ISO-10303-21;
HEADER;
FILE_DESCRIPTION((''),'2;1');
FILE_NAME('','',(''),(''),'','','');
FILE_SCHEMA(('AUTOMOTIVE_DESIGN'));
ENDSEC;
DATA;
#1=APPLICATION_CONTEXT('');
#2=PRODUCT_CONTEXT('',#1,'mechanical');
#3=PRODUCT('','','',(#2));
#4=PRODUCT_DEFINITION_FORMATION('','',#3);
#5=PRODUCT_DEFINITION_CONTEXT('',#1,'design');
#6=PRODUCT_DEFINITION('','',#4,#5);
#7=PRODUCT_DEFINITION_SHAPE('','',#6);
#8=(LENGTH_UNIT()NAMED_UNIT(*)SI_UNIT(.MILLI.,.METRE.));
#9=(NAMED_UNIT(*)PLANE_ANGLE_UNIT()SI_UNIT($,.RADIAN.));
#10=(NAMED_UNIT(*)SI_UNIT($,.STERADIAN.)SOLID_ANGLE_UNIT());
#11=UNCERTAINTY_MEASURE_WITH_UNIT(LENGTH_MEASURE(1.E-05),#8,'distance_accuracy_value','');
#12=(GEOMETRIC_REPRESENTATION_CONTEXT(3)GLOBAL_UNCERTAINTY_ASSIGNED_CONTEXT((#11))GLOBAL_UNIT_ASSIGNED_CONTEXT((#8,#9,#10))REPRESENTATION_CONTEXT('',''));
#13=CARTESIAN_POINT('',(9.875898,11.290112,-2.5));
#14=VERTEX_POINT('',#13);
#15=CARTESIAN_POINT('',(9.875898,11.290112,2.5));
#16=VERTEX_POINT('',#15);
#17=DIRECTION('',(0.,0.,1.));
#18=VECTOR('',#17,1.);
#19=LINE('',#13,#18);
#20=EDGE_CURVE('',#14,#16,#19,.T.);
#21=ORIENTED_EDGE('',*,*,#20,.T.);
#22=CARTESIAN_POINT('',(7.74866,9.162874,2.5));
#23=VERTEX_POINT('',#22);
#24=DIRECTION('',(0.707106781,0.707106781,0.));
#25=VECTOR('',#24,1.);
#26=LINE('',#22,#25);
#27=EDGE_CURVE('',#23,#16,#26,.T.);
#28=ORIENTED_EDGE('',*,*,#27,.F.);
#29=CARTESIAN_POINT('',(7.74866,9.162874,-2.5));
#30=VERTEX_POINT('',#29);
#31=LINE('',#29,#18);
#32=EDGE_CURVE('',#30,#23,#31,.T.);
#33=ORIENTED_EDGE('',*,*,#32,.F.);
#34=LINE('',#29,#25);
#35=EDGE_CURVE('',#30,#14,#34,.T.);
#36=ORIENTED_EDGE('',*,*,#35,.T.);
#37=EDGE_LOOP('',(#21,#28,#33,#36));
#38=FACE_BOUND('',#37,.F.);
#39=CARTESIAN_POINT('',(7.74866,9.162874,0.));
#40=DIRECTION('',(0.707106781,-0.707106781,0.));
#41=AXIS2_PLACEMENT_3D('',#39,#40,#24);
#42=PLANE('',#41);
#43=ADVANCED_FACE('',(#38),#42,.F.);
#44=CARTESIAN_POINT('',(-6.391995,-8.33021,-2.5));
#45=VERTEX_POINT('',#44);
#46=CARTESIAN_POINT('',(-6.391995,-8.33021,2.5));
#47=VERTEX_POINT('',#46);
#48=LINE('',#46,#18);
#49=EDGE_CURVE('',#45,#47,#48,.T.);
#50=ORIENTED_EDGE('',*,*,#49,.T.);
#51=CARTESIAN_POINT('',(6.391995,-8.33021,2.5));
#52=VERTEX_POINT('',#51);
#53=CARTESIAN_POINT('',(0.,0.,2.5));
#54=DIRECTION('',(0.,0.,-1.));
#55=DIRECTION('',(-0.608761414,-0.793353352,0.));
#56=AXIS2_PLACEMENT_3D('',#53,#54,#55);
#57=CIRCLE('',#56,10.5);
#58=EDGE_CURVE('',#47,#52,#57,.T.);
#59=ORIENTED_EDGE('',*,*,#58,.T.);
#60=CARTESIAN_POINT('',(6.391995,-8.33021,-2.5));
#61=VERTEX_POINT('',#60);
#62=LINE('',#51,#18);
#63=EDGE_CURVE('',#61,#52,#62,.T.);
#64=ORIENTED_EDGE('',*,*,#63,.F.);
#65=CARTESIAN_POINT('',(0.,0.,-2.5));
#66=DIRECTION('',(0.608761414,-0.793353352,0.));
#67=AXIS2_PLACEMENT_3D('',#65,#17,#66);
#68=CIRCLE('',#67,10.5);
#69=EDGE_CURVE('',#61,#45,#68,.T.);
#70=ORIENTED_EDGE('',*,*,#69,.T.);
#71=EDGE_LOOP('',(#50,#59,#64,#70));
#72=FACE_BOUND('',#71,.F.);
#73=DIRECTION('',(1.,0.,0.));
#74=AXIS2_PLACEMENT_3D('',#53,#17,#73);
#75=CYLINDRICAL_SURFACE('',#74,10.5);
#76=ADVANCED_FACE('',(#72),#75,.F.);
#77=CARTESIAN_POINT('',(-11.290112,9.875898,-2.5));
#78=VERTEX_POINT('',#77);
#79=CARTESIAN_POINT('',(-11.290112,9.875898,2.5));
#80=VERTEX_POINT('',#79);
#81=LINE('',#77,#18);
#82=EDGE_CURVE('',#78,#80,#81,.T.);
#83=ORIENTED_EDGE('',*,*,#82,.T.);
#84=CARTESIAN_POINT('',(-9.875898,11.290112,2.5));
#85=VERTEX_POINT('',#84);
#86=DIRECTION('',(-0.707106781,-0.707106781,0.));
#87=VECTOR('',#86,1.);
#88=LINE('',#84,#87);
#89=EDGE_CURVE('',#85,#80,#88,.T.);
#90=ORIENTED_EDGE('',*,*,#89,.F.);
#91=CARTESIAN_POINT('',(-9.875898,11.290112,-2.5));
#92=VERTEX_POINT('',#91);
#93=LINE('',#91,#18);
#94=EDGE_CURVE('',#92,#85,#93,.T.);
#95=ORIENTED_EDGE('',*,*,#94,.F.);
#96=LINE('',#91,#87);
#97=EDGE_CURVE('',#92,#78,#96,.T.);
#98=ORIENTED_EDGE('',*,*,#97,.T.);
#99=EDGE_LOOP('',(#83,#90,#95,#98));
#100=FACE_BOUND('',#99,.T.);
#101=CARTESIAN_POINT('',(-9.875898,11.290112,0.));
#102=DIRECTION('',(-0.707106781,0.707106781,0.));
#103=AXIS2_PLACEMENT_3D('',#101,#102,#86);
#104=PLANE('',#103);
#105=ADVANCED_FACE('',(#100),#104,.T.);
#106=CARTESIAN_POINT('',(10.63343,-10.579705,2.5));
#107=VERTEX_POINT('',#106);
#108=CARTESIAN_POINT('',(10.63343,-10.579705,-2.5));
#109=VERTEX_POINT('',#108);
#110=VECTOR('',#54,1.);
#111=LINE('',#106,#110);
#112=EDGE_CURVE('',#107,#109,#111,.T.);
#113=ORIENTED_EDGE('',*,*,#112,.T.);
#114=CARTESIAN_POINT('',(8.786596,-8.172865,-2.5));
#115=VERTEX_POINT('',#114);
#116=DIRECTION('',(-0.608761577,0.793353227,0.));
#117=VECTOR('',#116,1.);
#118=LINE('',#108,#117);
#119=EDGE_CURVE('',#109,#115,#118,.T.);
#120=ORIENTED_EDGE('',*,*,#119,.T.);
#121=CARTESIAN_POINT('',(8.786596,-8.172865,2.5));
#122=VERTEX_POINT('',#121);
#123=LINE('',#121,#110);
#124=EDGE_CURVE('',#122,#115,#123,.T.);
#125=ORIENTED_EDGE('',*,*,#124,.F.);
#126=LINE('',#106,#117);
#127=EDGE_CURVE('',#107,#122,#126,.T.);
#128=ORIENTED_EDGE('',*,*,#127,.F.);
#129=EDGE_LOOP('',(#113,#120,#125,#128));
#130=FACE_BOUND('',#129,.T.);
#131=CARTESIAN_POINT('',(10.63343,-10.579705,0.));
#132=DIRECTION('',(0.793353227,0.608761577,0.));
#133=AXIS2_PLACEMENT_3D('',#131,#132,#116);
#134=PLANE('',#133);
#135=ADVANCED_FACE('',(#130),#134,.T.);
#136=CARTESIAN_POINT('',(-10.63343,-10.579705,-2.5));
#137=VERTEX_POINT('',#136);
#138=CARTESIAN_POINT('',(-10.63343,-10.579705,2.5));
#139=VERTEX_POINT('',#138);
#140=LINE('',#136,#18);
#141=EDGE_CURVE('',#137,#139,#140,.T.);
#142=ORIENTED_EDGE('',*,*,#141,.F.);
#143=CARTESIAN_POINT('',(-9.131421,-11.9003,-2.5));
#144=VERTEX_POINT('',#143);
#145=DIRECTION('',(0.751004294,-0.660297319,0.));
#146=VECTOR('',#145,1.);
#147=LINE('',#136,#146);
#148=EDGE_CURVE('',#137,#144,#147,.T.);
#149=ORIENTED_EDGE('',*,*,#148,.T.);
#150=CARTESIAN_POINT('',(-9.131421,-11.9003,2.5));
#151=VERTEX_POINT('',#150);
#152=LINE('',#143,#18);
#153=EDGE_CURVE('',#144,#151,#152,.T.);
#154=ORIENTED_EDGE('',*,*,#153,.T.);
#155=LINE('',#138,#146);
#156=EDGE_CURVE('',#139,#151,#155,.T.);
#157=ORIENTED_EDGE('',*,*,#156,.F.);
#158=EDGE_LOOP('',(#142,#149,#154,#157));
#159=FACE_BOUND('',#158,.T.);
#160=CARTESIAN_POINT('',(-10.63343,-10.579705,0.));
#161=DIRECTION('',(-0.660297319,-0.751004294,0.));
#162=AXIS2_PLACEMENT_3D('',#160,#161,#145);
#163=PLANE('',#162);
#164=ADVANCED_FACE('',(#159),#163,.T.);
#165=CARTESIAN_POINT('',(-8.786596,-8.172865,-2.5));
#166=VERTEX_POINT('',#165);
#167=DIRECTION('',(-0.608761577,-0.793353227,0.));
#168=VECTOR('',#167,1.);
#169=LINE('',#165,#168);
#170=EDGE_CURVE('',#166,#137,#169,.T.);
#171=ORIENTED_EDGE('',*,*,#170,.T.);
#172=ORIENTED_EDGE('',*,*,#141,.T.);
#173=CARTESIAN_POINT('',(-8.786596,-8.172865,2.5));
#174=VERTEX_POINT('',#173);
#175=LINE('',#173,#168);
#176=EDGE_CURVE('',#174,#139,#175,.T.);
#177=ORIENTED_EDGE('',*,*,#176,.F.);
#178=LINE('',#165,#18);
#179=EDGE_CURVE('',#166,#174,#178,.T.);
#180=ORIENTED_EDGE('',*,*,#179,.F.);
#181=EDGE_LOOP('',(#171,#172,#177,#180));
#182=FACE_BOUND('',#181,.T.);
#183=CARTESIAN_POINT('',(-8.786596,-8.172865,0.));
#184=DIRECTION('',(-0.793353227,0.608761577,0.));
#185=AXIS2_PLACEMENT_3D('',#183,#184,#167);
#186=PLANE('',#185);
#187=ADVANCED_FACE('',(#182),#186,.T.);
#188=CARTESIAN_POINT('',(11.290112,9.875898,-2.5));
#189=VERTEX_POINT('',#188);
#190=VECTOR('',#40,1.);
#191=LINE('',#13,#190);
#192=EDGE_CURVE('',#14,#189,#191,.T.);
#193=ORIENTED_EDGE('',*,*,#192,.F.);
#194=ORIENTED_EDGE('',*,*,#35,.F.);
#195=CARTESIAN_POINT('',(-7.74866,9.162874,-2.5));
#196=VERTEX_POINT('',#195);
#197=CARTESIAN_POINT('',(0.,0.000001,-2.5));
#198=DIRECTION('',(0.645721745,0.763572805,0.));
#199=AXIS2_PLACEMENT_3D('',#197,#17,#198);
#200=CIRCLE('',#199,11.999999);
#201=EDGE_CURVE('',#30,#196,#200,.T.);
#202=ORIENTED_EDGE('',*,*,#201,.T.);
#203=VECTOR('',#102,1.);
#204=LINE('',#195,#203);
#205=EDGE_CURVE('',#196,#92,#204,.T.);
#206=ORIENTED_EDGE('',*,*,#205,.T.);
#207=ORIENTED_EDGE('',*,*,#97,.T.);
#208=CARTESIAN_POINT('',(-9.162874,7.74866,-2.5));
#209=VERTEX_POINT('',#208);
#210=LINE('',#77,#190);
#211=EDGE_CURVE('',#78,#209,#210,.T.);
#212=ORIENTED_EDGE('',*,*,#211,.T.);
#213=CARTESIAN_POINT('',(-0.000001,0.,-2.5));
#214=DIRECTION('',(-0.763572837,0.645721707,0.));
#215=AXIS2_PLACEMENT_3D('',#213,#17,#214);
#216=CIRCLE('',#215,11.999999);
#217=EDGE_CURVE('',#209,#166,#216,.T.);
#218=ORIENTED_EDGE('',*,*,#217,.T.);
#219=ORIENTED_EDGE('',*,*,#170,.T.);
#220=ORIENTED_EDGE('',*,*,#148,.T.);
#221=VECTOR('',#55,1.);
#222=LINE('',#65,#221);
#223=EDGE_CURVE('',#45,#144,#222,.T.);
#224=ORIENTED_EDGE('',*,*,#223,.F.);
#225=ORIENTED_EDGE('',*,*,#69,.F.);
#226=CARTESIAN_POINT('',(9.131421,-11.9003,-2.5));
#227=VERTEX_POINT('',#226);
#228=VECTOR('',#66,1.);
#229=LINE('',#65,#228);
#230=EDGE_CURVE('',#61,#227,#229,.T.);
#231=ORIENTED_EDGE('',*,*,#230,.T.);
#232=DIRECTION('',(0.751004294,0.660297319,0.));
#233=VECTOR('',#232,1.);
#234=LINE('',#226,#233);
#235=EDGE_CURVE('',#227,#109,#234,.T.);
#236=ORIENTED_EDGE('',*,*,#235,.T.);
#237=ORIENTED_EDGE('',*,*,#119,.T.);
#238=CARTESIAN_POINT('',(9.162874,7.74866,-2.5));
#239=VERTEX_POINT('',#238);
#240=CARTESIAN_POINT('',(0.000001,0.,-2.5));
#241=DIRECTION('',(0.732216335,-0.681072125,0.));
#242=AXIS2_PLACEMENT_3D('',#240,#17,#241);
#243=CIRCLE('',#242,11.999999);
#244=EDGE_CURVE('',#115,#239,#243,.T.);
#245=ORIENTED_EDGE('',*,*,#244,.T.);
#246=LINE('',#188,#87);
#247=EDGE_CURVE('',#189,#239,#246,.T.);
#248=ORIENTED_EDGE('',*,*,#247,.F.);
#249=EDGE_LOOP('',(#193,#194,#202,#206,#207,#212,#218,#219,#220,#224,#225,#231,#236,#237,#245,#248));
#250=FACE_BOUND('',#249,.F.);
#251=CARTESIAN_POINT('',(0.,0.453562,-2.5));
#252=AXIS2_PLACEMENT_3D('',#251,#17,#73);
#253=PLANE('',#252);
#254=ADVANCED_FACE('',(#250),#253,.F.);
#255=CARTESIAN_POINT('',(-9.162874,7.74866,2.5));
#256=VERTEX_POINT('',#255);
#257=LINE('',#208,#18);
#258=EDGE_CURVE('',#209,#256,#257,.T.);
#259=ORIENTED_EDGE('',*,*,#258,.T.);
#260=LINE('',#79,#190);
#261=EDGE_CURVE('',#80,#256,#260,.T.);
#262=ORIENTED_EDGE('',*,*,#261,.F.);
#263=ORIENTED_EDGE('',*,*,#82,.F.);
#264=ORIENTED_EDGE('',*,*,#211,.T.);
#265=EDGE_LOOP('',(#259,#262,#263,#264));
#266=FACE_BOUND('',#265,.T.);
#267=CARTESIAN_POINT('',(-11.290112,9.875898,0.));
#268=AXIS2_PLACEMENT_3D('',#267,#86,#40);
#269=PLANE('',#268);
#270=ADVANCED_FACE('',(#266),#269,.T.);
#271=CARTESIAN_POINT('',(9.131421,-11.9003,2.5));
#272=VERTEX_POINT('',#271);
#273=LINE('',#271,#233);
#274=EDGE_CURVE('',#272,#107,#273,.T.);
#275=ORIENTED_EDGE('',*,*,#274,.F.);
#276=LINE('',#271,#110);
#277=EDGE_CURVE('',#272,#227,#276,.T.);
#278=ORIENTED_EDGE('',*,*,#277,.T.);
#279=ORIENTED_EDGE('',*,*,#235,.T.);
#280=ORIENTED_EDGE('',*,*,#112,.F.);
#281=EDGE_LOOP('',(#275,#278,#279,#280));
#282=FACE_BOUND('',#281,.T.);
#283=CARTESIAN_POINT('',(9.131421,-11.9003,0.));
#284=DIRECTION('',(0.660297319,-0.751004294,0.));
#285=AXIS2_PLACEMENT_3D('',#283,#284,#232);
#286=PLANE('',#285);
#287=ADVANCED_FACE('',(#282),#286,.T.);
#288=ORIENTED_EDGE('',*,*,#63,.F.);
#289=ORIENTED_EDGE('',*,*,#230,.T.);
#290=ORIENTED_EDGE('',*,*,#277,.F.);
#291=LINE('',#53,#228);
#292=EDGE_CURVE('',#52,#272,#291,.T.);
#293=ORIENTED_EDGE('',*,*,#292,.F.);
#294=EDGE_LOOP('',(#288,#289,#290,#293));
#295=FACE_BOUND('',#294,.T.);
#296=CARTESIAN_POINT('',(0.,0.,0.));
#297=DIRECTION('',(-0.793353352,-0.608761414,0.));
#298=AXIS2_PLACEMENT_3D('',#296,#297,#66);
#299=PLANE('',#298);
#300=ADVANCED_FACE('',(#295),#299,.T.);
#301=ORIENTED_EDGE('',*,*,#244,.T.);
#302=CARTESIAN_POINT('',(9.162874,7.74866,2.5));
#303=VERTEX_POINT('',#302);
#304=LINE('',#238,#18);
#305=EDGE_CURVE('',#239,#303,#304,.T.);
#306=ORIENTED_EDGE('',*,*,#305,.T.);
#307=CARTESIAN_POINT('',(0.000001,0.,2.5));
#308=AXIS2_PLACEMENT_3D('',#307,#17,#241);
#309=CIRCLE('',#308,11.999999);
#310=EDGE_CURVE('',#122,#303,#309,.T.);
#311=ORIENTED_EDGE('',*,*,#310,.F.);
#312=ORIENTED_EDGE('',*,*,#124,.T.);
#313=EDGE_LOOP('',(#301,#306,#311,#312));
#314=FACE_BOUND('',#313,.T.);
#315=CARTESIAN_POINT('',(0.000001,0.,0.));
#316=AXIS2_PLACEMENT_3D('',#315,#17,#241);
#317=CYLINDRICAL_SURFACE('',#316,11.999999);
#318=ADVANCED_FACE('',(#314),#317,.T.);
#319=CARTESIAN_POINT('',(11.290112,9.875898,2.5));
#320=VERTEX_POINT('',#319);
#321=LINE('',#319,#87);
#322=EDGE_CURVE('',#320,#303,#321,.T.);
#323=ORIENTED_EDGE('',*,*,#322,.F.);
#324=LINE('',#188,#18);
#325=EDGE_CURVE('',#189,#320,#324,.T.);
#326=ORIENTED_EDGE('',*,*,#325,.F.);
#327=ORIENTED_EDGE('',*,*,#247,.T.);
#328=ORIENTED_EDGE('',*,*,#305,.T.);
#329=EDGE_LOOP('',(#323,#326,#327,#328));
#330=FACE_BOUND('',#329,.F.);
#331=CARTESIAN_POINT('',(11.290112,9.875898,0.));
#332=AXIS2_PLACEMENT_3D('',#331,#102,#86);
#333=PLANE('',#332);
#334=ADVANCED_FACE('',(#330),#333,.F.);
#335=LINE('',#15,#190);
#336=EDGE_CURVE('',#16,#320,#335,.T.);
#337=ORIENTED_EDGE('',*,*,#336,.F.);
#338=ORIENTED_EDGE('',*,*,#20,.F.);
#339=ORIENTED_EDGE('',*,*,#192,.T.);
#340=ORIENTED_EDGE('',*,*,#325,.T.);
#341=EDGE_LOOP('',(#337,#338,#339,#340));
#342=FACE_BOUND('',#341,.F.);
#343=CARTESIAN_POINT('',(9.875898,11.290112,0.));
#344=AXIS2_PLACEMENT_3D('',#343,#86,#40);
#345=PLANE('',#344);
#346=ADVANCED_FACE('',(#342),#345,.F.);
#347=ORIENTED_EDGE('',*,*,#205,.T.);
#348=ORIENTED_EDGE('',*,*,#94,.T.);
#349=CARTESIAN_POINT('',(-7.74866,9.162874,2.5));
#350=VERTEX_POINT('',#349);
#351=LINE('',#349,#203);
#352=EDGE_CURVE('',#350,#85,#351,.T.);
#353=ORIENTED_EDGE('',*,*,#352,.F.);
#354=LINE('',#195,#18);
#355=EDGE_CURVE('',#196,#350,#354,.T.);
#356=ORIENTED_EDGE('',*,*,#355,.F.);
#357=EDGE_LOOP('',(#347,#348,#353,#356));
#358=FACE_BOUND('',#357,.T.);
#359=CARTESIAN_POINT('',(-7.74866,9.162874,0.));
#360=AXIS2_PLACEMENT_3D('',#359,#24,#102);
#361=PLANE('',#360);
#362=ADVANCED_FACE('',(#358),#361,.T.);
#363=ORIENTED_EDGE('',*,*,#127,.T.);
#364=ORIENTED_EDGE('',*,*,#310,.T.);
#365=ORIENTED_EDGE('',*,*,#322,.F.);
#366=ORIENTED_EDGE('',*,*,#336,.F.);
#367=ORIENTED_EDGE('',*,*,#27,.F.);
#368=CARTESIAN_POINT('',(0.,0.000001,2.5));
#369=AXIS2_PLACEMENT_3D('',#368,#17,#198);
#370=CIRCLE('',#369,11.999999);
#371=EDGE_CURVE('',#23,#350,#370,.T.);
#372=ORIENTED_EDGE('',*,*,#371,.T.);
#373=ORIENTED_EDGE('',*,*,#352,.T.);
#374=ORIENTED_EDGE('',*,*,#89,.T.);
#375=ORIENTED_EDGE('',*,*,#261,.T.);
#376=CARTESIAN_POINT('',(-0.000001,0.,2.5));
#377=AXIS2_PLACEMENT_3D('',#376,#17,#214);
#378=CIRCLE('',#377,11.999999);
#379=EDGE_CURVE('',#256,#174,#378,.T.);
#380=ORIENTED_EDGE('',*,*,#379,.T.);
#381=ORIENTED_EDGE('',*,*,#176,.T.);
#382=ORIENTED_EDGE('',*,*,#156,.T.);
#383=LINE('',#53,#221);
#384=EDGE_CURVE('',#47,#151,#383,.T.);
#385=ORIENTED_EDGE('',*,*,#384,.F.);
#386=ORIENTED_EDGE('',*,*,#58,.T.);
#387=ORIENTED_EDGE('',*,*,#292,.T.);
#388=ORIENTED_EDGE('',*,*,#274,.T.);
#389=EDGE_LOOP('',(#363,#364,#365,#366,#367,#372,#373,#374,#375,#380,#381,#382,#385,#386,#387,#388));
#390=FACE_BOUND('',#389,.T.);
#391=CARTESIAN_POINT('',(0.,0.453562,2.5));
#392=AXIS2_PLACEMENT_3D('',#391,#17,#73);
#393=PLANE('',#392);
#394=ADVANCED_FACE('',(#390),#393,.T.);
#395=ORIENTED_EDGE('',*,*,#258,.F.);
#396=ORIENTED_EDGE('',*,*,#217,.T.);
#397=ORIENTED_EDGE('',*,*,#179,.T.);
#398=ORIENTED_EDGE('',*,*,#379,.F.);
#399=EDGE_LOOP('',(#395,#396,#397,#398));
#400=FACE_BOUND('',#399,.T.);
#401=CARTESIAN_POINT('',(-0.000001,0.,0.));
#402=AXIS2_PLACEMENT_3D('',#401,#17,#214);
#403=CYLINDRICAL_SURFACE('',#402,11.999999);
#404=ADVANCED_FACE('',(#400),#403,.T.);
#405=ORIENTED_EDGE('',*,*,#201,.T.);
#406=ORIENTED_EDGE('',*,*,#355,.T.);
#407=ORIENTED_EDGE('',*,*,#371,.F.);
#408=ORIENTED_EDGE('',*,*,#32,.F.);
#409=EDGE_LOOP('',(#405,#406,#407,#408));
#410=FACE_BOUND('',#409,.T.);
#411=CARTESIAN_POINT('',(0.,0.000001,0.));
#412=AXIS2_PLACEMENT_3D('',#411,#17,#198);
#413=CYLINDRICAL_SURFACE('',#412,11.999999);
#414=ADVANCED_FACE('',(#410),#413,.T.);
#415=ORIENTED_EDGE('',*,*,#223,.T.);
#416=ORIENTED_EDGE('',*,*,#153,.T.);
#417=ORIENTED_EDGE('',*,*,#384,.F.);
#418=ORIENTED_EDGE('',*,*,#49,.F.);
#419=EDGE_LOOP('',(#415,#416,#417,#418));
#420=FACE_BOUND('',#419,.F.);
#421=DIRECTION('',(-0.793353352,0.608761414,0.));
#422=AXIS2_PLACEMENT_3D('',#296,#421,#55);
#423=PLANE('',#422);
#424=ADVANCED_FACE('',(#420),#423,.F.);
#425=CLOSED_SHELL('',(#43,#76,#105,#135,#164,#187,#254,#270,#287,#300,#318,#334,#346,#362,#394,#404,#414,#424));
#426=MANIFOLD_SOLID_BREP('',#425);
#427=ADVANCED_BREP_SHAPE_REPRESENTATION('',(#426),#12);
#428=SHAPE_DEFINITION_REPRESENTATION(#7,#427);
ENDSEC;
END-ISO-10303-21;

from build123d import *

# Parameters (mm, degrees)
PAD_DEPTH    = 2.5
SKETCH003_R  = 10.5
POCKET_DEPTH = 5


with BuildPart() as part:
    # Sketch → Pad (new body, symmetric)
    with BuildSketch(Plane.XY):
        with BuildLine():
            ThreePointArc((8.786596, -8.172865), (11.99665, -0.28352), (9.162874, 7.74866))
            Line((11.290112, 9.875898), (9.162874, 7.74866))
            Line((9.875898, 11.290112), (11.290112, 9.875898))
            Line((7.74866, 9.162874), (9.875898, 11.290112))
            ThreePointArc((7.74866, 9.162874), (0, 12), (-7.74866, 9.162874))
            Line((-7.74866, 9.162874), (-9.875898, 11.290112))
            Line((-9.875898, 11.290112), (-11.290112, 9.875898))
            Line((-11.290112, 9.875898), (-9.162874, 7.74866))
            ThreePointArc((-9.162874, 7.74866), (-11.99665, -0.28352), (-8.786596, -8.172865))
            Line((-8.786596, -8.172865), (-10.63343, -10.579705))
            Line((-10.63343, -10.579705), (-9.131421, -11.9003))
            Line((0, 0), (-9.131421, -11.9003))
            Line((0, 0), (9.131421, -11.9003))
            Line((9.131421, -11.9003), (10.63343, -10.579705))
            Line((10.63343, -10.579705), (8.786596, -8.172865))
        make_face()
    extrude(amount=PAD_DEPTH, both=True)

    # Sketch003 → Pocket (cut)
    with BuildSketch(Plane.XY.offset(2.5)):
        Circle(SKETCH003_R)
    extrude(amount=-POCKET_DEPTH, mode=Mode.SUBTRACT)


solid = part.part
